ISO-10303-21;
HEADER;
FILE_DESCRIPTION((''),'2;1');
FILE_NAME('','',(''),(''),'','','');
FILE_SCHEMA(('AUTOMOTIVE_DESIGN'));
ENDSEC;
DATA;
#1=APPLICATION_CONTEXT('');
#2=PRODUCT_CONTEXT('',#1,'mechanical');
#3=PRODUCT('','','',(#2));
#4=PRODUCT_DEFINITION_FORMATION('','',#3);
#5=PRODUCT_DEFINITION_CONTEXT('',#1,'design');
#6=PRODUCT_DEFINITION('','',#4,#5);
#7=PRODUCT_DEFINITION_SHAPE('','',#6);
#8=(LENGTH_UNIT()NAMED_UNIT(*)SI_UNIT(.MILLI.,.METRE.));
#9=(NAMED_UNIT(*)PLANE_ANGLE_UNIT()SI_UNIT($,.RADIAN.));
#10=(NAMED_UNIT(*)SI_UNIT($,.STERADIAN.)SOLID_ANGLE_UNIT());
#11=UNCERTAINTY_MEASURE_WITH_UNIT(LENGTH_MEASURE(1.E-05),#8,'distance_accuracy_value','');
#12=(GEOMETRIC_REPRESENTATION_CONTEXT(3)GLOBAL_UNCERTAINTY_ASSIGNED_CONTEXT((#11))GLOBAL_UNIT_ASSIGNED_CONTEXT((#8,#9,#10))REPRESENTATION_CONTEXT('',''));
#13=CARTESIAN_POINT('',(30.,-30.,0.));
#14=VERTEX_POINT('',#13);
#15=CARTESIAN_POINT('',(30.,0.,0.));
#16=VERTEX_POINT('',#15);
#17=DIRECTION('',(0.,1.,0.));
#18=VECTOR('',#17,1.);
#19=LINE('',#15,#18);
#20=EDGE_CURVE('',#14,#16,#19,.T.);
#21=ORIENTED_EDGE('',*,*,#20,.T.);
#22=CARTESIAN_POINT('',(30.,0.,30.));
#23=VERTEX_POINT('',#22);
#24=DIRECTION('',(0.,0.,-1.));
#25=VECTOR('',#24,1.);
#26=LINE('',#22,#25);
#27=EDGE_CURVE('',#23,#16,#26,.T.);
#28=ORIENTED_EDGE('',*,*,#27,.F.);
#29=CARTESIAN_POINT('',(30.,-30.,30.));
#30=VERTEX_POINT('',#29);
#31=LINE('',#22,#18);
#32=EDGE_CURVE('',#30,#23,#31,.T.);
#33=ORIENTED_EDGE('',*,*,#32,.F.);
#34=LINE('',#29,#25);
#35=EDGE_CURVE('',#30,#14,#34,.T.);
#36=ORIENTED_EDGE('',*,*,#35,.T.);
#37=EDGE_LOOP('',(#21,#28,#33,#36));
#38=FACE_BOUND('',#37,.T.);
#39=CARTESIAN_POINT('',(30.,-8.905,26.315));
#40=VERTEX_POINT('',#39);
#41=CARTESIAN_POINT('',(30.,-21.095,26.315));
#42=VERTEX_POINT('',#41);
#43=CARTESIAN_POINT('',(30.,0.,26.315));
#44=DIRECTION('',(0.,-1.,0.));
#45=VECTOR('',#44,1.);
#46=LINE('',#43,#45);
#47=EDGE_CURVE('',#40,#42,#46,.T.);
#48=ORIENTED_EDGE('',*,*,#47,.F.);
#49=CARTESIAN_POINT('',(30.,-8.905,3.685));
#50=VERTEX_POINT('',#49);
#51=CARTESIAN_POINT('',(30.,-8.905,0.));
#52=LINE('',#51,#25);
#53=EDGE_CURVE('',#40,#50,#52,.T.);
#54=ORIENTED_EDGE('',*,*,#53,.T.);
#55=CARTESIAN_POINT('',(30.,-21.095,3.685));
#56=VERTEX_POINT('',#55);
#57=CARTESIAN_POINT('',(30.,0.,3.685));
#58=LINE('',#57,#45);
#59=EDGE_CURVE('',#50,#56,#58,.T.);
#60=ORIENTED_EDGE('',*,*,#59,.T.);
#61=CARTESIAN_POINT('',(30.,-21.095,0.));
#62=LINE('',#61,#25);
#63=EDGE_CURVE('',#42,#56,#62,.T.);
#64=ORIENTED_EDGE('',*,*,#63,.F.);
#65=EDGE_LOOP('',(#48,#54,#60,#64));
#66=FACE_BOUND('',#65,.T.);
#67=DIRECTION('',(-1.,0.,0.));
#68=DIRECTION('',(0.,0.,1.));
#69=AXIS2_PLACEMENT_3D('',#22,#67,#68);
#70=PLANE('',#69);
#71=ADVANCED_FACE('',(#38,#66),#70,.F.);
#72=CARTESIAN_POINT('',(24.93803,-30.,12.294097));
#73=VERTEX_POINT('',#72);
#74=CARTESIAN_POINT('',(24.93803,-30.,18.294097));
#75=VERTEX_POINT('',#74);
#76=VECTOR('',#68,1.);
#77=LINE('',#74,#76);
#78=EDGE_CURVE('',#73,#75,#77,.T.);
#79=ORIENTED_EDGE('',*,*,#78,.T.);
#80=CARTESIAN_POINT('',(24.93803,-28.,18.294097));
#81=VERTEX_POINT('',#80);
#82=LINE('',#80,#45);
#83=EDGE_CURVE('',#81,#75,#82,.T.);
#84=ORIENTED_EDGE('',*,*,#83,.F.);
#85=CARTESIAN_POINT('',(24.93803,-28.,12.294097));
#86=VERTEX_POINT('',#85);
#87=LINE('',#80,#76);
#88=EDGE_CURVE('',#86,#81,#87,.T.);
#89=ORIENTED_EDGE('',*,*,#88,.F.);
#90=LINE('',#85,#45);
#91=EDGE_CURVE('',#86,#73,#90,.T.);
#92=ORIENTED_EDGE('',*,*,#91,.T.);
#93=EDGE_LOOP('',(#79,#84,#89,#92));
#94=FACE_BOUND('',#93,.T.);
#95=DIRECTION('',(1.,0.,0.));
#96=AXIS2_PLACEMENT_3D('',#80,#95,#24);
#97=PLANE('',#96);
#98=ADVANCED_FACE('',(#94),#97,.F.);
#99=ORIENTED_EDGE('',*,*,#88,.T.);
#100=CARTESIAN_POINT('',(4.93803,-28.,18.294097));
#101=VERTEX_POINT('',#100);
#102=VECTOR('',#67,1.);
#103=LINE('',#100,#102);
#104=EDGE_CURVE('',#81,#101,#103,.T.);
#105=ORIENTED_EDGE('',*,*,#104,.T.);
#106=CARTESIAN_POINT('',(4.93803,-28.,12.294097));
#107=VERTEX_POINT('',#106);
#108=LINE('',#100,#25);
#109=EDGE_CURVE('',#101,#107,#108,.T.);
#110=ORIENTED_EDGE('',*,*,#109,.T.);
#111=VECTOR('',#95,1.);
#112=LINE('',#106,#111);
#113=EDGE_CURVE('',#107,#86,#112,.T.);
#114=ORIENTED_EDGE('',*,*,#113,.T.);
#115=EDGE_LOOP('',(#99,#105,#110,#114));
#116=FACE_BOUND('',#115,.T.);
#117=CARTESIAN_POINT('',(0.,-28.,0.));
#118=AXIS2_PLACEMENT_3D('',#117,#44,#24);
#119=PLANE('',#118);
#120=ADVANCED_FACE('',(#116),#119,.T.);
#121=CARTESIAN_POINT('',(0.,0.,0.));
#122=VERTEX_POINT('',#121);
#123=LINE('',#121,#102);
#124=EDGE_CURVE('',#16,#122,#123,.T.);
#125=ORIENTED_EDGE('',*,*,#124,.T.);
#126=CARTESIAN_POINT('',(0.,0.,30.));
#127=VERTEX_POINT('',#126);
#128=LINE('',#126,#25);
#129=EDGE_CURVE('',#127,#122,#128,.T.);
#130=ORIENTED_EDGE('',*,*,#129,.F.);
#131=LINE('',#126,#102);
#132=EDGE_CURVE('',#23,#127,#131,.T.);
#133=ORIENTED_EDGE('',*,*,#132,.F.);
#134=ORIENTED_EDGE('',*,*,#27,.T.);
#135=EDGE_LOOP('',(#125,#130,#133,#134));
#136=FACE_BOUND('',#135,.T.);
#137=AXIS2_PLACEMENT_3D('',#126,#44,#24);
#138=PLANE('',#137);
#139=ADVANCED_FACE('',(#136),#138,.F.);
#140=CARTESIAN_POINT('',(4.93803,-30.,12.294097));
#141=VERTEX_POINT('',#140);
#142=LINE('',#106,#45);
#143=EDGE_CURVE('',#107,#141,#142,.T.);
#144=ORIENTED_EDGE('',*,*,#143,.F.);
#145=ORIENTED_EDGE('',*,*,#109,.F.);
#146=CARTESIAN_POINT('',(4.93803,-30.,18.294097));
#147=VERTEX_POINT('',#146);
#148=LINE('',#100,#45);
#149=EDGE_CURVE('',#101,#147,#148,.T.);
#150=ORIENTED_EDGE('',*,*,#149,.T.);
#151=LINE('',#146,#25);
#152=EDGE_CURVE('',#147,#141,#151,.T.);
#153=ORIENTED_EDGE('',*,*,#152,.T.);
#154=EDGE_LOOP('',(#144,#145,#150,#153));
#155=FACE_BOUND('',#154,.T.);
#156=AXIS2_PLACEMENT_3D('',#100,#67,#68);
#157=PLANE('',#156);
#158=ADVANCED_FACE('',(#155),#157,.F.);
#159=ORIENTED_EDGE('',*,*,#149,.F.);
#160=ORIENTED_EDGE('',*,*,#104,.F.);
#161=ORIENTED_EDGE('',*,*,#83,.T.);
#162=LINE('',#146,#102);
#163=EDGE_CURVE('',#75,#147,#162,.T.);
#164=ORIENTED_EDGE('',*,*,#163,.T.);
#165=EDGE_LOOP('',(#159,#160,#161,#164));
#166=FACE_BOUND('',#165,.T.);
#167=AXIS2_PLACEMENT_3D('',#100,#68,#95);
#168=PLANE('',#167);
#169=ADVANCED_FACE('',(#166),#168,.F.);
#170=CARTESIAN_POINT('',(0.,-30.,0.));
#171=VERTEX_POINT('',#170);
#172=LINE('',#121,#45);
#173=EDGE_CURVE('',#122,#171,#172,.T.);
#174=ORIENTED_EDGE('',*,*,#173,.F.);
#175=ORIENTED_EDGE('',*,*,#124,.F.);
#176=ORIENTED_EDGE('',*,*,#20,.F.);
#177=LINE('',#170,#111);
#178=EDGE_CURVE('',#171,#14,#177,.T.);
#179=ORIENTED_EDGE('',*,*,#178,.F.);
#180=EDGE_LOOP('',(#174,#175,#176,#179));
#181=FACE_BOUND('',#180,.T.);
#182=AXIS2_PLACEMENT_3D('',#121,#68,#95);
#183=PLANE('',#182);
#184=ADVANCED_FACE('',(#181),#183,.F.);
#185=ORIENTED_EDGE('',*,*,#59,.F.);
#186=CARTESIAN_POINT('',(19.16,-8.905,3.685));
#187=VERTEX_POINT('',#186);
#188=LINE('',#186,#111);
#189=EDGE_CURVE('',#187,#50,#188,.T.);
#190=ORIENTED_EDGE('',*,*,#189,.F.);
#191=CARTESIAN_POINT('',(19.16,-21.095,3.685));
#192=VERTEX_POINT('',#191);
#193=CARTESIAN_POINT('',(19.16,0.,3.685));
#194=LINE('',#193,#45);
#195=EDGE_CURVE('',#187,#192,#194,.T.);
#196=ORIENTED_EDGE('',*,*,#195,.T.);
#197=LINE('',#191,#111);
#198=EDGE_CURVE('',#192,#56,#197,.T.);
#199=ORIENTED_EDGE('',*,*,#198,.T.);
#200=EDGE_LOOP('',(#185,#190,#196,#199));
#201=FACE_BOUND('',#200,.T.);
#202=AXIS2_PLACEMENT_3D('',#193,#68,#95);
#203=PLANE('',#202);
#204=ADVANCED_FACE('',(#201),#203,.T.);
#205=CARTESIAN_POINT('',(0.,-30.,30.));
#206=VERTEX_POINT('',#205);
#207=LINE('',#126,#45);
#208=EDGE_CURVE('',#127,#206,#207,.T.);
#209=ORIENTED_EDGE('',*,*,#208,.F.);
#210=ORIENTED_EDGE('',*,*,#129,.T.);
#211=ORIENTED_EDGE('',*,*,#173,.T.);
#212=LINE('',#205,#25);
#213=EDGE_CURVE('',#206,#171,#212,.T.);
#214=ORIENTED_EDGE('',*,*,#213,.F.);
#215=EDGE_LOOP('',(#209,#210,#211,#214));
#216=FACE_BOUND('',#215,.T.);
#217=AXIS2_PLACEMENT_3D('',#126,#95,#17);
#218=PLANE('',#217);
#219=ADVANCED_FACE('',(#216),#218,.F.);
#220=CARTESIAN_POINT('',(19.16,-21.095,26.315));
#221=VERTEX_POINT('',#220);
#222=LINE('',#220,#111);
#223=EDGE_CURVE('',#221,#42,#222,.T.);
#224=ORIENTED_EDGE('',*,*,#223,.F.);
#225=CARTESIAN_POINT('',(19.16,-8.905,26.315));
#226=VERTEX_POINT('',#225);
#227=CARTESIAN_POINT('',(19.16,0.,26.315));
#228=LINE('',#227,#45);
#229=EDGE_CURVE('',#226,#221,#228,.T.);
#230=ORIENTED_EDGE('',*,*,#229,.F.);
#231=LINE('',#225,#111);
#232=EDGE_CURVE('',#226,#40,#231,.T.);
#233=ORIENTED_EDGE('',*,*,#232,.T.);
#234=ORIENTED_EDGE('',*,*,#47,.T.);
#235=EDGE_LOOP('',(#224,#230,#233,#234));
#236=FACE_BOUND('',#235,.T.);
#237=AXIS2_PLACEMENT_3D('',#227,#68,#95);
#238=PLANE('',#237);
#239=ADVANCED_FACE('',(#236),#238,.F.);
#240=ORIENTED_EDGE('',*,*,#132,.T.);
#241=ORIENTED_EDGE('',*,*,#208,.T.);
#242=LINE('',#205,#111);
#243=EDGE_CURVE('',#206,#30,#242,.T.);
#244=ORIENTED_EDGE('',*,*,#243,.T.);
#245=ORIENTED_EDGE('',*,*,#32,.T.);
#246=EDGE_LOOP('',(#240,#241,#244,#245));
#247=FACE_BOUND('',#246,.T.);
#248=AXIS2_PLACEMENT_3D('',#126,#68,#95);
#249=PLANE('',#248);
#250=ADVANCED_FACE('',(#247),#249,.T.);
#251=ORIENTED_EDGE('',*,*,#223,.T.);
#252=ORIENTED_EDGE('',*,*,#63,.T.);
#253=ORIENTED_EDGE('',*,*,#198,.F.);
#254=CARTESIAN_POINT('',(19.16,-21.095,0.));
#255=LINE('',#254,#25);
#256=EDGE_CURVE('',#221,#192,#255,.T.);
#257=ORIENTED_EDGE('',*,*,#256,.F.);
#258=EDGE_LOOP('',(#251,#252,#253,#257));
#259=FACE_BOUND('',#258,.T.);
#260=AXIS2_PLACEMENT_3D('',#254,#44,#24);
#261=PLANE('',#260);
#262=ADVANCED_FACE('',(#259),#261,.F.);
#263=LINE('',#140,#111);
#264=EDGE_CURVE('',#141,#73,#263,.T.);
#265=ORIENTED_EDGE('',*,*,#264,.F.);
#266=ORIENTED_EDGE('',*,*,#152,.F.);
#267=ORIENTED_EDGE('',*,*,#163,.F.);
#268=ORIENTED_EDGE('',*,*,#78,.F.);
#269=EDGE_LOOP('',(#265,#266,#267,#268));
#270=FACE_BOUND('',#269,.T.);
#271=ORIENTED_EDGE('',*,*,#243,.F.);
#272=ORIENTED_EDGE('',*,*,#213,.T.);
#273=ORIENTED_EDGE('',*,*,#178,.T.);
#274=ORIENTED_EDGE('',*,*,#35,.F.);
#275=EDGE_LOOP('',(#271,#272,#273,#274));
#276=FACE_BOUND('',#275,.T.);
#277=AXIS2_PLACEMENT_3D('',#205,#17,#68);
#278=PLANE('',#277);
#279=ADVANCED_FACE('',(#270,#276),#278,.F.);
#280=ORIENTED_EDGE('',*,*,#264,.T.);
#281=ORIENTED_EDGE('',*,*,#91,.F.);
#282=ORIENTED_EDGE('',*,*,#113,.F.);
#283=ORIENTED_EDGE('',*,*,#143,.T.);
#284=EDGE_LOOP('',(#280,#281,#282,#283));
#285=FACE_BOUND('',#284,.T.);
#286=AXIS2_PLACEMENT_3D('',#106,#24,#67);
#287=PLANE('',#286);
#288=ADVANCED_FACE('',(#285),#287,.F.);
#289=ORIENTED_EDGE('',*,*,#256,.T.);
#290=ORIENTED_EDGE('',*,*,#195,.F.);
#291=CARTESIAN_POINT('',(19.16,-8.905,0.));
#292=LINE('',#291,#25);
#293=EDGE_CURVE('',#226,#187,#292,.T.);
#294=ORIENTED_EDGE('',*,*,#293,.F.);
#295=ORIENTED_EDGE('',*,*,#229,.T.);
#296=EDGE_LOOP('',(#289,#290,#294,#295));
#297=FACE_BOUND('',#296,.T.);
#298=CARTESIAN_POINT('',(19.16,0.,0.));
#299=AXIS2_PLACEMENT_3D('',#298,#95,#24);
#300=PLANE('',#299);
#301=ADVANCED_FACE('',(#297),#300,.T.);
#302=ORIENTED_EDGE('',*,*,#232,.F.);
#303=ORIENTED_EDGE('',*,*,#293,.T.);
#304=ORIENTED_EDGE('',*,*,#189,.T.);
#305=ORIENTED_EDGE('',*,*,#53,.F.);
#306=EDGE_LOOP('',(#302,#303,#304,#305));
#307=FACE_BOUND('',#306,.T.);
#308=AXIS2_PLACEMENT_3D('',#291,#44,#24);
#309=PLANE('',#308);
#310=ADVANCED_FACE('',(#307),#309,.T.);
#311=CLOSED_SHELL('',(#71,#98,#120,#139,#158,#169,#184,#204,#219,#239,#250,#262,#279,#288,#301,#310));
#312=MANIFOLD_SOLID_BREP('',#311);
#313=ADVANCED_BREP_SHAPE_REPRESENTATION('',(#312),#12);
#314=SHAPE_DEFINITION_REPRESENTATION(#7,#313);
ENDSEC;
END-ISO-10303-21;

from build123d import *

# Parameters (mm, degrees)
SKETCH1_W           = 30
SKETCH1_H           = 30
BOSS_EXTRUDE1_DEPTH = 30
SKETCH2_W           = 11.315
SKETCH2_H           = 6.095
CUT_EXTRUDE1_DEPTH  = 10.84
SKETCH3_W           = 20
SKETCH3_H           = 6
CUT_EXTRUDE4_DEPTH  = 2


with BuildPart() as part:
    # Sketch1 → Boss-Extrude1 (new body)
    with BuildSketch(Plane.XY):
        with Locations((15, -15)):
            Rectangle(SKETCH1_W, SKETCH1_H)
    extrude(amount=BOSS_EXTRUDE1_DEPTH)

    # Sketch2 → Cut-Extrude1 (cut)
    with BuildSketch(Plane(origin=(30, 0, 0), x_dir=(0, 0, -1), z_dir=(1, 0, 0))):
        with Locations((-20.6575, -18.0475)):
            Rectangle(SKETCH2_W, SKETCH2_H)
        Polygon((-3.685, -8.905), (-26.315, -8.905), (-26.315, -15), (-15, -15), (-3.685, -15), align=None)
        with Locations((-9.3425, -18.0475)):
            Rectangle(SKETCH2_W, SKETCH2_H)
    extrude(amount=-CUT_EXTRUDE1_DEPTH, mode=Mode.SUBTRACT)

    # Sketch3 → Cut-Extrude4 (cut)
    with BuildSketch(Plane.XZ.offset(30)):
        with Locations((14.938029793, 15.294097389)):
            Rectangle(SKETCH3_W, SKETCH3_H)
    extrude(amount=-CUT_EXTRUDE4_DEPTH, mode=Mode.SUBTRACT)


solid = part.part
